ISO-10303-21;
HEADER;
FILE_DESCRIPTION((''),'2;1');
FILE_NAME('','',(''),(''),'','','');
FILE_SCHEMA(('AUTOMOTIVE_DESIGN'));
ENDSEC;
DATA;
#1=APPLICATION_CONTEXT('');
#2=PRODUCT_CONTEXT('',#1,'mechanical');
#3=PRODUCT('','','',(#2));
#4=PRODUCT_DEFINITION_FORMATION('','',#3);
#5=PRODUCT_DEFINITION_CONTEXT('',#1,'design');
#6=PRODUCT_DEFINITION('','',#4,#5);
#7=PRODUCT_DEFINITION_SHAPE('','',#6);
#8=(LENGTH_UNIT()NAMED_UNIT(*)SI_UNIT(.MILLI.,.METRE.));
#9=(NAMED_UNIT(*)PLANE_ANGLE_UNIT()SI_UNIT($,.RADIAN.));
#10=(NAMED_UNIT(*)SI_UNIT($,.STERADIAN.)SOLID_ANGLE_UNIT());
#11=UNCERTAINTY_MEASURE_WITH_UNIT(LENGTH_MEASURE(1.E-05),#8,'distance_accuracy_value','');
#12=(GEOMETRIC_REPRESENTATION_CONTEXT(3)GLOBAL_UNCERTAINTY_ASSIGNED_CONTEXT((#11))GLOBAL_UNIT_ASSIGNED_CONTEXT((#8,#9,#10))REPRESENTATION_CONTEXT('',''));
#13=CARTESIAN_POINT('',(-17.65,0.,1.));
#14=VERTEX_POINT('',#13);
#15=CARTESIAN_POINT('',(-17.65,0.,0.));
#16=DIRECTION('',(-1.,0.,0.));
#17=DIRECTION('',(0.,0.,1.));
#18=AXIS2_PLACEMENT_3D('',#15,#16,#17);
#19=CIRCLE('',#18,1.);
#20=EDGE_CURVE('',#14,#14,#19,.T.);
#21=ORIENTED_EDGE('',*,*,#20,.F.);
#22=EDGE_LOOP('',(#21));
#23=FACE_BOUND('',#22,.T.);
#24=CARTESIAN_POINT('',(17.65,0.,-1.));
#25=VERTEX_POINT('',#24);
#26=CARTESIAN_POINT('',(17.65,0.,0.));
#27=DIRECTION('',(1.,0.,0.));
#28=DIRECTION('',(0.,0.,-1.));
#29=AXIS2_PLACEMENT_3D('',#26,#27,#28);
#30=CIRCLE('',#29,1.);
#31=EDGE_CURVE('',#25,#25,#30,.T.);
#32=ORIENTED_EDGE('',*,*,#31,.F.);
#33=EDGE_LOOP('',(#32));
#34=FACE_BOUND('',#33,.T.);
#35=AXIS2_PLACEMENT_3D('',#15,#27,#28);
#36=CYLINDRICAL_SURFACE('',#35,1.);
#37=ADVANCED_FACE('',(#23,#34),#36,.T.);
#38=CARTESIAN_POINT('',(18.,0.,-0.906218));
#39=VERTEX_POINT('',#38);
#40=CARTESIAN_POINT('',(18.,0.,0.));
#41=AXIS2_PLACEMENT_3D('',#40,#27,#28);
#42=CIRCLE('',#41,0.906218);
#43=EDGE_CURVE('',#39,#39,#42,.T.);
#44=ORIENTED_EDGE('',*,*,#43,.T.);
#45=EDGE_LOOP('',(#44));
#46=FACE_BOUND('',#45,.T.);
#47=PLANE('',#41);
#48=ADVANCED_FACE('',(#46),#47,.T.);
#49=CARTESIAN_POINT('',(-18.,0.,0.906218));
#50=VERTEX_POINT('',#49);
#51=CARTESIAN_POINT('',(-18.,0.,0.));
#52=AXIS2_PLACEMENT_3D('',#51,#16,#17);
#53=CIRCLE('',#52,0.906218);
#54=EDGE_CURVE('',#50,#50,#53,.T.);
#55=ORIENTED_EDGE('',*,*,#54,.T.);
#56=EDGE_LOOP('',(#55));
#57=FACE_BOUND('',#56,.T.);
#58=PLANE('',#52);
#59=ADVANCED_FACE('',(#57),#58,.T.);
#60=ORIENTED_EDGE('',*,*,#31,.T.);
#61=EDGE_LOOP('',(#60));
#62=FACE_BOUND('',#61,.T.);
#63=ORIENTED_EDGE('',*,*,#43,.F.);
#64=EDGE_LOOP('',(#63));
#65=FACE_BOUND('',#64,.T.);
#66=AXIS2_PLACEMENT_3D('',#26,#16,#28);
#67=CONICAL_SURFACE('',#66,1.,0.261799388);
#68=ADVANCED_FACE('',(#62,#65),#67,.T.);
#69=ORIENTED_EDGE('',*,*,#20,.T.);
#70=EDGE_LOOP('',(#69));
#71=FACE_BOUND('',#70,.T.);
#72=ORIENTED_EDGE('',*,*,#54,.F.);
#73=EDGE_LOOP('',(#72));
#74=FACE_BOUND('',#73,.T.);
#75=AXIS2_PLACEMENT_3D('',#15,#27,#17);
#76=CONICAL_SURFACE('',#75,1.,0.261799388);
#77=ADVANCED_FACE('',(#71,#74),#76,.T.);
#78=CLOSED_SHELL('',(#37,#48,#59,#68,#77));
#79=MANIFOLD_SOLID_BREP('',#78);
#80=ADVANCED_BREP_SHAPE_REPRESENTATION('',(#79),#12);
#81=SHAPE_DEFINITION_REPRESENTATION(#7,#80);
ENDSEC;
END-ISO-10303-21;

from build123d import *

# Parameters (mm, degrees)
SKETCH2_R           = 1
EXTRUDE1_DEPTH      = 17.65
EXTRUDE1_DEPTH_BACK = 17.65
SKETCH3_R           = 1
EXTRUDE2_DEPTH      = 0.35
EXTRUDE2_TAPER      = 15
SKETCH4_R           = 1
EXTRUDE3_DEPTH      = 0.35
EXTRUDE3_TAPER      = 15


with BuildPart() as part:
    # Sketch2 → Extrude1 (new body, two sides)
    with BuildSketch(Plane(origin=(0, 0, 0), x_dir=(0, 0, -1), z_dir=(1, 0, 0))) as extrude1_sk:
        Circle(SKETCH2_R)
    extrude(amount=EXTRUDE1_DEPTH)
    extrude(extrude1_sk.sketch, amount=-EXTRUDE1_DEPTH_BACK)

    # Sketch3 → Extrude2 (add)
    with BuildSketch(Plane(origin=(17.65, 0, 0), x_dir=(0, 0, -1), z_dir=(1, 0, 0))):
        Circle(SKETCH3_R)
    extrude(amount=EXTRUDE2_DEPTH, taper=EXTRUDE2_TAPER)

    # Sketch4 → Extrude3 (add)
    with BuildSketch(Plane.ZY.offset(17.65)):
        Circle(SKETCH4_R)
    extrude(amount=EXTRUDE3_DEPTH, taper=EXTRUDE3_TAPER)


solid = part.part
